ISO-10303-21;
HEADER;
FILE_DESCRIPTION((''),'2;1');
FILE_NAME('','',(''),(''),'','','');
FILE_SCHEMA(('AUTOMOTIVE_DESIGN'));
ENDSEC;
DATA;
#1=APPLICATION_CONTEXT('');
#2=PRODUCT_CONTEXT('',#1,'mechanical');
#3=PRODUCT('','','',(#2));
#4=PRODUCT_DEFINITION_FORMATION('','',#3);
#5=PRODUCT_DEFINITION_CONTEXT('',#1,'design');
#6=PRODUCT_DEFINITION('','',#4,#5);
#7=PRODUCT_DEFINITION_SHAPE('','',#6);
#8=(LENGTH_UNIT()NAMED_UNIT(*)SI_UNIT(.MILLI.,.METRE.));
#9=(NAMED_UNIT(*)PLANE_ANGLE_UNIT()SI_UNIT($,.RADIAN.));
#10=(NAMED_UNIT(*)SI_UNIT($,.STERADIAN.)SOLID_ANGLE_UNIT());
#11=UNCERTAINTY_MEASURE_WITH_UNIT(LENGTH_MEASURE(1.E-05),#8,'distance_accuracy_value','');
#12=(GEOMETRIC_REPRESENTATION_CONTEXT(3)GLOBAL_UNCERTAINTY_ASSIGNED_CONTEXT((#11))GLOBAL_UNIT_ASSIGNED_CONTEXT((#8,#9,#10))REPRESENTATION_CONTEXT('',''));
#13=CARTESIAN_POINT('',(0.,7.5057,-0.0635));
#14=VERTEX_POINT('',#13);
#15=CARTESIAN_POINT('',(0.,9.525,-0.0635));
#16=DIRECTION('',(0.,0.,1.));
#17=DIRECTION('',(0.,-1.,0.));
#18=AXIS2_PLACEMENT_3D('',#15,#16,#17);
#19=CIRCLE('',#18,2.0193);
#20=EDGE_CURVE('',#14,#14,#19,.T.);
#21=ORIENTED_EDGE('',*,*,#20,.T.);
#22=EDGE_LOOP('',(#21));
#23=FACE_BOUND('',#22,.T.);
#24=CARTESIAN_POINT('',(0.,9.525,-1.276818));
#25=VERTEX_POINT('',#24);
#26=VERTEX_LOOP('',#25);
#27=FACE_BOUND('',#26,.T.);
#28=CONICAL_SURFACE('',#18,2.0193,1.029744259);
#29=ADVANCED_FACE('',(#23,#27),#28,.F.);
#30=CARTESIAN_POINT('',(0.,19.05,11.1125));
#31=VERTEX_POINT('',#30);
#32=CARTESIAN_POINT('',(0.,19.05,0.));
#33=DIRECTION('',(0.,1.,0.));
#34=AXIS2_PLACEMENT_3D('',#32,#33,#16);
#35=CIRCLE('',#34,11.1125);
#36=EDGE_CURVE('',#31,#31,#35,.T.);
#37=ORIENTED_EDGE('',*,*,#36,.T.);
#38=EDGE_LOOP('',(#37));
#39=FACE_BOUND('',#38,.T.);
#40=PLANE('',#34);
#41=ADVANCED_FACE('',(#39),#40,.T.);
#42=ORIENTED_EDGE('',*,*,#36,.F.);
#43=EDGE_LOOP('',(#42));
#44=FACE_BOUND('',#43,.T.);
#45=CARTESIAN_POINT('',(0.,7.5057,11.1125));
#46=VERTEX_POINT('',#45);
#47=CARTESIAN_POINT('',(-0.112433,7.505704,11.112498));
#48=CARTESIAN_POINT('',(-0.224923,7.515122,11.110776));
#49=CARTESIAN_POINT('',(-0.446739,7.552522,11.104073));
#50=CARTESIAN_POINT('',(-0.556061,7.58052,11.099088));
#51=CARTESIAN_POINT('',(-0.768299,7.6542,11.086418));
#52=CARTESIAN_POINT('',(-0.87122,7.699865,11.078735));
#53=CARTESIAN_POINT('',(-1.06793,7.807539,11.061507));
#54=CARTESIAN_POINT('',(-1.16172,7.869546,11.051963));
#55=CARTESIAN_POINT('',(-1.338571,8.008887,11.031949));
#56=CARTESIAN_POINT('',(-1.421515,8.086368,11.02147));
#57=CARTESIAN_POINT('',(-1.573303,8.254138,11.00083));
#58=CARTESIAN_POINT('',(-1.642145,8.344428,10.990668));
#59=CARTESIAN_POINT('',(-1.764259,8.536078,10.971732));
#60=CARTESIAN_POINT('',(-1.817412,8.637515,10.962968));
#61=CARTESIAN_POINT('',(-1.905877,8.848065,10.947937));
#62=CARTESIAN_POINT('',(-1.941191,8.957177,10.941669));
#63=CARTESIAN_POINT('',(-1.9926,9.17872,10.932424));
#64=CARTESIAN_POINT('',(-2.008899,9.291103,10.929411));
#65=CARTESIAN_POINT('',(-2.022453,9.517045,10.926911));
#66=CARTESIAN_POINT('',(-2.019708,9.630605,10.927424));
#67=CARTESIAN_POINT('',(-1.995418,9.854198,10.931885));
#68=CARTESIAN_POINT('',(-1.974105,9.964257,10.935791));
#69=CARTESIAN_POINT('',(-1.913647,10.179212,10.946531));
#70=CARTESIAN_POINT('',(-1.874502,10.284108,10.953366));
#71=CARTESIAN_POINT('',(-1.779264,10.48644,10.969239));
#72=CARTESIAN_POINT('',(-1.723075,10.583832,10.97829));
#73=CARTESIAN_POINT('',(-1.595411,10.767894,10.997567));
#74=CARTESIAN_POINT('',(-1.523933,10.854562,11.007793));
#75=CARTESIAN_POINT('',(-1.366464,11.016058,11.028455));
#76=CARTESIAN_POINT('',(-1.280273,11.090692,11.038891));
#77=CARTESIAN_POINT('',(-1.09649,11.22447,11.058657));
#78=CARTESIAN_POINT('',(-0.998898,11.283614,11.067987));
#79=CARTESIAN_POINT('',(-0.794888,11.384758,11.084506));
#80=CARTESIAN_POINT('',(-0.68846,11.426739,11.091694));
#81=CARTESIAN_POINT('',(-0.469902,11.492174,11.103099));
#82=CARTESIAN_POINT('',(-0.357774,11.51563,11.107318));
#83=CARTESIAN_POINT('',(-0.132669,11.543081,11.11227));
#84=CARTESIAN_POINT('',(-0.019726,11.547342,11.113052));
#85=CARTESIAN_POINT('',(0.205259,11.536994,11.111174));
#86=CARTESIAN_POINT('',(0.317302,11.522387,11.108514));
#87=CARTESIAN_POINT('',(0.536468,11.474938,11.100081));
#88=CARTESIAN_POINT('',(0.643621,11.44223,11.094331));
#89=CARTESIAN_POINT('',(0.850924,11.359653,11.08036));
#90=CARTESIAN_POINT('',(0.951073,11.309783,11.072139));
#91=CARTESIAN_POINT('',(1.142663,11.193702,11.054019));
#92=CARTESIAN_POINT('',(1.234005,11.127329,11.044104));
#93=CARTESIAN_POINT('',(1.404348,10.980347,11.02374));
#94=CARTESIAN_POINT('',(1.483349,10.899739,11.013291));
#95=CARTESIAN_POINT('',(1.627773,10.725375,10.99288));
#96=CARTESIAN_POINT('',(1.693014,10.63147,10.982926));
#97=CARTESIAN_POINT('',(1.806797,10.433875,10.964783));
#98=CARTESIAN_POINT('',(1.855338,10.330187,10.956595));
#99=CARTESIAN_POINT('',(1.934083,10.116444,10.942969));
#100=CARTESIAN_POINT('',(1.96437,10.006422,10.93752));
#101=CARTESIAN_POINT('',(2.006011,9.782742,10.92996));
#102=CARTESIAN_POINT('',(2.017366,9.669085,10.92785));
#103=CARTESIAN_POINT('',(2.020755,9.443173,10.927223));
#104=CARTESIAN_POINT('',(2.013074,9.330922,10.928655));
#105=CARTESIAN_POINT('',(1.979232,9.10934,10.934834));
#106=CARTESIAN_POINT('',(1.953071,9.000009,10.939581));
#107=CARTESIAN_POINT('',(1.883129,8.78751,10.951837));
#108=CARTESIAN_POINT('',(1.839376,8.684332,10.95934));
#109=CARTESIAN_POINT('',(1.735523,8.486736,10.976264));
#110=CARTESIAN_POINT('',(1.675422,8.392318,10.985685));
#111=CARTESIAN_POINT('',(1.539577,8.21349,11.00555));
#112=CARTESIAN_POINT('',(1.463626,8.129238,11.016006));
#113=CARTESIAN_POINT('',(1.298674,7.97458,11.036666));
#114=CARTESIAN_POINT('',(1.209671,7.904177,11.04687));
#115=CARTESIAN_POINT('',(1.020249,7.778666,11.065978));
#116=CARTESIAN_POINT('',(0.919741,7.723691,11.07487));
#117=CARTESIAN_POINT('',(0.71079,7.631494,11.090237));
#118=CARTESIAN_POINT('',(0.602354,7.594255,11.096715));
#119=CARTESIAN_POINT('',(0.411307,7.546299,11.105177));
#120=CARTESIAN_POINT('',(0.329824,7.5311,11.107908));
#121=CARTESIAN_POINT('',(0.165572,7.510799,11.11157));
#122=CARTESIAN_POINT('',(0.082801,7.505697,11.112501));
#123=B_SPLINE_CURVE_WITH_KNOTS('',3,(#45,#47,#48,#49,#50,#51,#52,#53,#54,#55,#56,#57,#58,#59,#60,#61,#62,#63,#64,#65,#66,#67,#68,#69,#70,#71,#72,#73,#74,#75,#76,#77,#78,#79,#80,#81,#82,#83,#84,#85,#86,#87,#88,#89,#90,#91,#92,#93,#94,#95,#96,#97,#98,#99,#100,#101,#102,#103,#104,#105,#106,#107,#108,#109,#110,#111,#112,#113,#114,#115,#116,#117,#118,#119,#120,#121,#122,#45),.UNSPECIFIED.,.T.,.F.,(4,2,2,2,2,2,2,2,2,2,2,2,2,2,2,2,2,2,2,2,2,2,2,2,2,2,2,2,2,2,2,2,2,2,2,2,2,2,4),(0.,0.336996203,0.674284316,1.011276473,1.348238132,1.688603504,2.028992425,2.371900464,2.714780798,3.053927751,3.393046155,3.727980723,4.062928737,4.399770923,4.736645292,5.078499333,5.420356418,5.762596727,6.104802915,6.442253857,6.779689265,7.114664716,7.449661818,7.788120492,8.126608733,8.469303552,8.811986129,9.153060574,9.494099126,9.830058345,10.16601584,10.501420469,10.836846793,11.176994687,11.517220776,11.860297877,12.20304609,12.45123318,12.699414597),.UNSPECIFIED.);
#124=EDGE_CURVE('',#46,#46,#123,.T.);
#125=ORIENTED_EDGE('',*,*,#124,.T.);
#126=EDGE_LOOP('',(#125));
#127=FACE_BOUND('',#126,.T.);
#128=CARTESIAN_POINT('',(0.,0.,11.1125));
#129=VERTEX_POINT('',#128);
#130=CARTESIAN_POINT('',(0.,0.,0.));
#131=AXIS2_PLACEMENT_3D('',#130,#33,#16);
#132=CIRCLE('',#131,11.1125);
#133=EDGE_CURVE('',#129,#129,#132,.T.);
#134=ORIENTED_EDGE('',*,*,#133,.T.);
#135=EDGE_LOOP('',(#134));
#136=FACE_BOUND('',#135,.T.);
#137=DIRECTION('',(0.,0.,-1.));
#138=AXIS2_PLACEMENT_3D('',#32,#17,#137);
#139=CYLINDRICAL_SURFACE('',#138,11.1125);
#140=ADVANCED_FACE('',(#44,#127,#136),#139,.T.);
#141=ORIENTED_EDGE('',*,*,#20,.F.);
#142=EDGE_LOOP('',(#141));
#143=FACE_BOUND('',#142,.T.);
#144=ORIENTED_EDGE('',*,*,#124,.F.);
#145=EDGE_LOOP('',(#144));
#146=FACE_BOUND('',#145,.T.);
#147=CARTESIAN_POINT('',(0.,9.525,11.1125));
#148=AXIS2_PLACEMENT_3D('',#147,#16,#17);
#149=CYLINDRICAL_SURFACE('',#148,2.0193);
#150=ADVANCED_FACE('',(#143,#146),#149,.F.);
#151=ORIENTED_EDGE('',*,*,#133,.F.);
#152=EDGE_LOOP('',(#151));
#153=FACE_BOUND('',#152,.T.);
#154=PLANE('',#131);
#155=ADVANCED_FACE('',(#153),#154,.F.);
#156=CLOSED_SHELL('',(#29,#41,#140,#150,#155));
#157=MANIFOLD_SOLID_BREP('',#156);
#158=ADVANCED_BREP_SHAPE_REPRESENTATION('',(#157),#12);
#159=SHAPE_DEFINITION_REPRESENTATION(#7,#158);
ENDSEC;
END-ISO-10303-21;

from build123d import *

# Parameters (mm, degrees)
SKETCH1_R                  = 11.1125
BOSS_EXTRUDE1_DEPTH        = 19.05
F_10_32_TAPPED_HOLE1_D     = 4.0386
F_10_32_TAPPED_HOLE1_DEPTH = 11.176
F_10_32_TAPPED_HOLE1_TIP   = 1.213317848


with BuildPart() as part:
    # Sketch1 → Boss-Extrude1 (new body)
    with BuildSketch(Plane(origin=(0, 0, 0), x_dir=(1, 0, 0), z_dir=(0, 1, 0))):
        with Locations(Location((0, 0, 0), (0, 0, 90))):
            Circle(SKETCH1_R)
    extrude(amount=BOSS_EXTRUDE1_DEPTH)

    # #10-32 Tapped Hole1
    with Locations(Plane(origin=(0, 9.525, 11.1125), x_dir=(0, 1, 0), z_dir=(0, 0, 1))):
        with Locations((0, 0)):
            Hole(F_10_32_TAPPED_HOLE1_D / 2, depth=F_10_32_TAPPED_HOLE1_DEPTH)
            with Locations((0, 0, -(F_10_32_TAPPED_HOLE1_DEPTH + F_10_32_TAPPED_HOLE1_TIP / 2))):  # 118° drill point
                Cone(0, F_10_32_TAPPED_HOLE1_D / 2, F_10_32_TAPPED_HOLE1_TIP, mode=Mode.SUBTRACT)


solid = part.part
